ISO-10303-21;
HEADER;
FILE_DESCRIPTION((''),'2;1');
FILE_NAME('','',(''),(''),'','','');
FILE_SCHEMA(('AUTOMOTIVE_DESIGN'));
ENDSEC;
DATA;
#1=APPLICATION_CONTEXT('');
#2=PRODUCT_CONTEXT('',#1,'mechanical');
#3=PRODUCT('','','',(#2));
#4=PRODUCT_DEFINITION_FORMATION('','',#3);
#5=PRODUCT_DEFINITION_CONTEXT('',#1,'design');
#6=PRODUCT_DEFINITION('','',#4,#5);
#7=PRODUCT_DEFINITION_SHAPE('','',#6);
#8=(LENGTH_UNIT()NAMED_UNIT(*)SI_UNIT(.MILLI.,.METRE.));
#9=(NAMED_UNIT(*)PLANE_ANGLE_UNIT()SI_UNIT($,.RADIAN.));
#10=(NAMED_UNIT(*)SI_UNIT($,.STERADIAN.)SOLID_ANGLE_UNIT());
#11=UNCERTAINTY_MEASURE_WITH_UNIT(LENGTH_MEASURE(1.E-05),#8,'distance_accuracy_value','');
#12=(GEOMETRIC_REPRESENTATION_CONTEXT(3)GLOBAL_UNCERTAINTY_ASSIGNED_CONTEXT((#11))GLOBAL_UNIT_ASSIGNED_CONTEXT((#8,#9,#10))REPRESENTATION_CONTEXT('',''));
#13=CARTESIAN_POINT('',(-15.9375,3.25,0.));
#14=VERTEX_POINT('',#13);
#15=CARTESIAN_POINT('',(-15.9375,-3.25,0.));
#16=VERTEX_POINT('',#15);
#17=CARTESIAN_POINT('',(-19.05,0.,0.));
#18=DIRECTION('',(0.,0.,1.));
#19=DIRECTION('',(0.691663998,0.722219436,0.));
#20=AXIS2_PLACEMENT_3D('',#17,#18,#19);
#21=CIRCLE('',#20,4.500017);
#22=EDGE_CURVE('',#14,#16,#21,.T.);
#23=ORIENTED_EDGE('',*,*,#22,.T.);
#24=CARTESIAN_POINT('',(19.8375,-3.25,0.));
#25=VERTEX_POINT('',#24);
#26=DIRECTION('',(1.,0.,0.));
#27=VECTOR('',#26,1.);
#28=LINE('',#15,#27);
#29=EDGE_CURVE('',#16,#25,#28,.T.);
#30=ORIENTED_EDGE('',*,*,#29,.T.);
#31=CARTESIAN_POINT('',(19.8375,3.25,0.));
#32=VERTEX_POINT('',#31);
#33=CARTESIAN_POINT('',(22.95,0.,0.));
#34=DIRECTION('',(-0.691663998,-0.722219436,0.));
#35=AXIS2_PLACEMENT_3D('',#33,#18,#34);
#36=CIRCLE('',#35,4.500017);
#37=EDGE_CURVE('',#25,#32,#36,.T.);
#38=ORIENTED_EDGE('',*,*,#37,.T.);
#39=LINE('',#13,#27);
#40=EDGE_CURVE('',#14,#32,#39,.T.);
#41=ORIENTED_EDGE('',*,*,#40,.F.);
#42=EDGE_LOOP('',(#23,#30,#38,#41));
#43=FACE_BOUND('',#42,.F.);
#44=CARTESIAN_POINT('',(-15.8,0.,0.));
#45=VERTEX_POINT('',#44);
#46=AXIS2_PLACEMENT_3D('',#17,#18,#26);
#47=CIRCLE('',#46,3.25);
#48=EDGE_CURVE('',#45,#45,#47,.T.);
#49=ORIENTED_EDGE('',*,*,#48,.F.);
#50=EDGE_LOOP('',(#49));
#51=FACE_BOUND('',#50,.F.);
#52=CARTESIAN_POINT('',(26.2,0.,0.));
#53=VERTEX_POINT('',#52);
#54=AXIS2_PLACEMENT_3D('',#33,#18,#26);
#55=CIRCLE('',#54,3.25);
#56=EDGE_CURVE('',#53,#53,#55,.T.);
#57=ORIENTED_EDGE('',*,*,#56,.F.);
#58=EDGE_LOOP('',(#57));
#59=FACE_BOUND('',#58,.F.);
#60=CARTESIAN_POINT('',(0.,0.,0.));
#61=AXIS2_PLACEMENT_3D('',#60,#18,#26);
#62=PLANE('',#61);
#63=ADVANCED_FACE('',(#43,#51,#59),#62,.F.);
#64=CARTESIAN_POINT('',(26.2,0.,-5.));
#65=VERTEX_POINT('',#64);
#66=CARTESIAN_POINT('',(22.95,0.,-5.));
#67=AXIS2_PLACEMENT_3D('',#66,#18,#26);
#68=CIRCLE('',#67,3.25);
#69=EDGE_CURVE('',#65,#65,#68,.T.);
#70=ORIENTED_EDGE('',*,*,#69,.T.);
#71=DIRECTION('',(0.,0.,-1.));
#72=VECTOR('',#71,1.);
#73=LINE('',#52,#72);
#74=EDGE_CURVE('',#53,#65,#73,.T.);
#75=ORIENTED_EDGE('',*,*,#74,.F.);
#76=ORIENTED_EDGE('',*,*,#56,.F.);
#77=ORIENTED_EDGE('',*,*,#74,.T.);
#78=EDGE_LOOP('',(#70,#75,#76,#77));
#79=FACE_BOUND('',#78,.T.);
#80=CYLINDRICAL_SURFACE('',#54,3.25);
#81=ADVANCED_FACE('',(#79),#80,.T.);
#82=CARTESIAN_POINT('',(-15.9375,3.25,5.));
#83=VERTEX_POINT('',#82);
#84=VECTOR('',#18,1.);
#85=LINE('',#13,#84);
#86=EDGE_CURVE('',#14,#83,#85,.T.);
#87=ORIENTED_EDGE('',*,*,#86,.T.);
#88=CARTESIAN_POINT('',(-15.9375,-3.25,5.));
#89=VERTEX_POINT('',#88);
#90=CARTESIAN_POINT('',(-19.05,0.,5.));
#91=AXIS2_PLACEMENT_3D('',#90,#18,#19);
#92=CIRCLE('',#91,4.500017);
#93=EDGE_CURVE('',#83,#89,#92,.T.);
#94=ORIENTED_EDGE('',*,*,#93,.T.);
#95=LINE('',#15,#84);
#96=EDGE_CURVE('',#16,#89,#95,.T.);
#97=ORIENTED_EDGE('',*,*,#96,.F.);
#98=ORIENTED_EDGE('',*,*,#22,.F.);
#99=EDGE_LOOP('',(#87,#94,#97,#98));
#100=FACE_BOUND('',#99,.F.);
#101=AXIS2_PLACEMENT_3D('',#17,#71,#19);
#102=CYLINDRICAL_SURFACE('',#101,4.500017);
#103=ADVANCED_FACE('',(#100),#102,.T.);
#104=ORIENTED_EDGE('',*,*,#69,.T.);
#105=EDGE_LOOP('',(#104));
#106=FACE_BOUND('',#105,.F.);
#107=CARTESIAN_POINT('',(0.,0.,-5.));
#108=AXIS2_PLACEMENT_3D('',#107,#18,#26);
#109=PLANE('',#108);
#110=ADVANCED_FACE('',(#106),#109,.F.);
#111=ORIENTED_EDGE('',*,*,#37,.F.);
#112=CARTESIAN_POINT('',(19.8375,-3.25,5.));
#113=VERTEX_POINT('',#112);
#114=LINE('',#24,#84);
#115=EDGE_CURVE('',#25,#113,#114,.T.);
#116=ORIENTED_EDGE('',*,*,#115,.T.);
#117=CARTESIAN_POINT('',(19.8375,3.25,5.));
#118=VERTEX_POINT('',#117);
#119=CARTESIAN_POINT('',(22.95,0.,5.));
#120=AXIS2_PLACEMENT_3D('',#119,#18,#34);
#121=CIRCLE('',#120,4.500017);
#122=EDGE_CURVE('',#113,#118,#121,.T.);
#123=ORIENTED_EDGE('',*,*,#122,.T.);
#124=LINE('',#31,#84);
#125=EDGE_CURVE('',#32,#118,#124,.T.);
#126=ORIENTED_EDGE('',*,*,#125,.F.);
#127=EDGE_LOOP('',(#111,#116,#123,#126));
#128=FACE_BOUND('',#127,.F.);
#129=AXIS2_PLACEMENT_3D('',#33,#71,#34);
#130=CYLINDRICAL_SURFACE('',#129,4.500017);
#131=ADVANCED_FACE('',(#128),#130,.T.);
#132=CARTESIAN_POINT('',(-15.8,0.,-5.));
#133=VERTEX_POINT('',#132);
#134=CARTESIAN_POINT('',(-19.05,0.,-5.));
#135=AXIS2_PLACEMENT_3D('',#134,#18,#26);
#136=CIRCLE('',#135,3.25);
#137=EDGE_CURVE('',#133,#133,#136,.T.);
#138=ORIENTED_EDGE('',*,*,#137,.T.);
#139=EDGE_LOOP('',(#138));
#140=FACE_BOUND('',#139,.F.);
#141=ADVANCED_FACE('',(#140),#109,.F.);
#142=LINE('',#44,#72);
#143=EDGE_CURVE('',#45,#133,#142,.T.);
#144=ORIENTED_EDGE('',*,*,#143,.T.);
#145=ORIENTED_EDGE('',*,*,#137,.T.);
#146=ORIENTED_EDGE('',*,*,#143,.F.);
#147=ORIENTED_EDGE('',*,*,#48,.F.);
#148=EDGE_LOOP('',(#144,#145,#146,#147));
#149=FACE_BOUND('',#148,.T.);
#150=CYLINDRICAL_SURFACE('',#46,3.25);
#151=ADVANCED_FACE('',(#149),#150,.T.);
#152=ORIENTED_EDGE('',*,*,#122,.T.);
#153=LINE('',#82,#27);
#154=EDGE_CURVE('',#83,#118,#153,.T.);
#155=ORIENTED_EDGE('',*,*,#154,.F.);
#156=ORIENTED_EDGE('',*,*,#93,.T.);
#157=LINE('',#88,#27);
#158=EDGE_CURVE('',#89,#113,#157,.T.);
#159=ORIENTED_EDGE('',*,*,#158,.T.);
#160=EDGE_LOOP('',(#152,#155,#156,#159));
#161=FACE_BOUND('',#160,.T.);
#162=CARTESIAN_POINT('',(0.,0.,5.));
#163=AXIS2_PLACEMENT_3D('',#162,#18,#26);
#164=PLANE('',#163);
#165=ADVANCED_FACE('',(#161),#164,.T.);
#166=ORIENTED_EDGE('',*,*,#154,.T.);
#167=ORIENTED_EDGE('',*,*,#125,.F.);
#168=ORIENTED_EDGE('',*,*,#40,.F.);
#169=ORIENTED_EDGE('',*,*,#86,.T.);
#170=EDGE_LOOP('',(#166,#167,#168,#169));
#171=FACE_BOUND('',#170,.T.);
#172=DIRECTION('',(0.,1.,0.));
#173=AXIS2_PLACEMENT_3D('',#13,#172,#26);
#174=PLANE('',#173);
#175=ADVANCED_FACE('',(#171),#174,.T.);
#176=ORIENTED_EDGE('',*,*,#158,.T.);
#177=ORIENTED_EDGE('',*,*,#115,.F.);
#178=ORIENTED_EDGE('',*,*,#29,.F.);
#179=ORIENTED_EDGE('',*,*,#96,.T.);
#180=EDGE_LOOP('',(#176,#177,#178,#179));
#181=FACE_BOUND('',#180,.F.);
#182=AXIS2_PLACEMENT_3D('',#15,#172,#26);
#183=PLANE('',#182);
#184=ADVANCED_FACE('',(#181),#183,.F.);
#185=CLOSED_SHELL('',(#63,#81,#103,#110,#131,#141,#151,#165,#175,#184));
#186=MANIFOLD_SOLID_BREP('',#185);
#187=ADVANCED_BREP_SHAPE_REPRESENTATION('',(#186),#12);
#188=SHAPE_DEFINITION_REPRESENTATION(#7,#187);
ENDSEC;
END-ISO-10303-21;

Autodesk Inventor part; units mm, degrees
ref_plane "YZ Plane" through (0, 0, 0) normal (1, 0, 0) x (0, 1, 0)
ref_plane "XZ Plane" through (0, 0, 0) normal (0, 1, 0) x (-1, 0, 0)
ref_plane "XY Plane" through (0, 0, 0) normal (0, 0, 1) x (1, 0, 0)
sketch "Sketch2" plane through (0, 0, 0) normal (0, 0, 1) x (1, 0, 0)
  circle A0 centre (-19.05, 0) radius 3.25
  line L0 (-15.9375, 3.25) -> (19.8375, 3.25)
  arc A1 (-15.9375, 3.25) -> (-15.9375, -3.25) centre (-19.05, 0) ccw
  arc A2 (19.8375, -3.25) -> (19.8375, 3.25) centre (22.95, 0) ccw
  circle A3 centre (22.95, 0) radius 3.25
  line L1 (-31.7023, 0) -> (39.7352, 0) construction
  line L2 (-15.9375, -3.25) -> (19.8375, -3.25)
  point P0 (0, 0)
  dimension "d4" = 6.5
  dimension "d6" = 9
  dimension "d7" = 6.5
  dimension "d8" = 42
extrude "Extrusion1" add sketch "Sketch2" along normal blind 5 contours A0 | L0 A2 L2 A1 | A3
extrude "Extrusion2" add sketch "Sketch2" against normal blind 5 contours A0 | A3
equation "\"d4\" = R"
equation "\"d6\" = R1"
equation "\"d7\" = width"
equation "\"d0\" = thickness"
equation "\"d2\" = thickness"
equation "\"R\" = 6.5"
equation "\"thickness\" = 5"
equation "\"width\" = 6.5"
equation "\"R1\" = 9"
